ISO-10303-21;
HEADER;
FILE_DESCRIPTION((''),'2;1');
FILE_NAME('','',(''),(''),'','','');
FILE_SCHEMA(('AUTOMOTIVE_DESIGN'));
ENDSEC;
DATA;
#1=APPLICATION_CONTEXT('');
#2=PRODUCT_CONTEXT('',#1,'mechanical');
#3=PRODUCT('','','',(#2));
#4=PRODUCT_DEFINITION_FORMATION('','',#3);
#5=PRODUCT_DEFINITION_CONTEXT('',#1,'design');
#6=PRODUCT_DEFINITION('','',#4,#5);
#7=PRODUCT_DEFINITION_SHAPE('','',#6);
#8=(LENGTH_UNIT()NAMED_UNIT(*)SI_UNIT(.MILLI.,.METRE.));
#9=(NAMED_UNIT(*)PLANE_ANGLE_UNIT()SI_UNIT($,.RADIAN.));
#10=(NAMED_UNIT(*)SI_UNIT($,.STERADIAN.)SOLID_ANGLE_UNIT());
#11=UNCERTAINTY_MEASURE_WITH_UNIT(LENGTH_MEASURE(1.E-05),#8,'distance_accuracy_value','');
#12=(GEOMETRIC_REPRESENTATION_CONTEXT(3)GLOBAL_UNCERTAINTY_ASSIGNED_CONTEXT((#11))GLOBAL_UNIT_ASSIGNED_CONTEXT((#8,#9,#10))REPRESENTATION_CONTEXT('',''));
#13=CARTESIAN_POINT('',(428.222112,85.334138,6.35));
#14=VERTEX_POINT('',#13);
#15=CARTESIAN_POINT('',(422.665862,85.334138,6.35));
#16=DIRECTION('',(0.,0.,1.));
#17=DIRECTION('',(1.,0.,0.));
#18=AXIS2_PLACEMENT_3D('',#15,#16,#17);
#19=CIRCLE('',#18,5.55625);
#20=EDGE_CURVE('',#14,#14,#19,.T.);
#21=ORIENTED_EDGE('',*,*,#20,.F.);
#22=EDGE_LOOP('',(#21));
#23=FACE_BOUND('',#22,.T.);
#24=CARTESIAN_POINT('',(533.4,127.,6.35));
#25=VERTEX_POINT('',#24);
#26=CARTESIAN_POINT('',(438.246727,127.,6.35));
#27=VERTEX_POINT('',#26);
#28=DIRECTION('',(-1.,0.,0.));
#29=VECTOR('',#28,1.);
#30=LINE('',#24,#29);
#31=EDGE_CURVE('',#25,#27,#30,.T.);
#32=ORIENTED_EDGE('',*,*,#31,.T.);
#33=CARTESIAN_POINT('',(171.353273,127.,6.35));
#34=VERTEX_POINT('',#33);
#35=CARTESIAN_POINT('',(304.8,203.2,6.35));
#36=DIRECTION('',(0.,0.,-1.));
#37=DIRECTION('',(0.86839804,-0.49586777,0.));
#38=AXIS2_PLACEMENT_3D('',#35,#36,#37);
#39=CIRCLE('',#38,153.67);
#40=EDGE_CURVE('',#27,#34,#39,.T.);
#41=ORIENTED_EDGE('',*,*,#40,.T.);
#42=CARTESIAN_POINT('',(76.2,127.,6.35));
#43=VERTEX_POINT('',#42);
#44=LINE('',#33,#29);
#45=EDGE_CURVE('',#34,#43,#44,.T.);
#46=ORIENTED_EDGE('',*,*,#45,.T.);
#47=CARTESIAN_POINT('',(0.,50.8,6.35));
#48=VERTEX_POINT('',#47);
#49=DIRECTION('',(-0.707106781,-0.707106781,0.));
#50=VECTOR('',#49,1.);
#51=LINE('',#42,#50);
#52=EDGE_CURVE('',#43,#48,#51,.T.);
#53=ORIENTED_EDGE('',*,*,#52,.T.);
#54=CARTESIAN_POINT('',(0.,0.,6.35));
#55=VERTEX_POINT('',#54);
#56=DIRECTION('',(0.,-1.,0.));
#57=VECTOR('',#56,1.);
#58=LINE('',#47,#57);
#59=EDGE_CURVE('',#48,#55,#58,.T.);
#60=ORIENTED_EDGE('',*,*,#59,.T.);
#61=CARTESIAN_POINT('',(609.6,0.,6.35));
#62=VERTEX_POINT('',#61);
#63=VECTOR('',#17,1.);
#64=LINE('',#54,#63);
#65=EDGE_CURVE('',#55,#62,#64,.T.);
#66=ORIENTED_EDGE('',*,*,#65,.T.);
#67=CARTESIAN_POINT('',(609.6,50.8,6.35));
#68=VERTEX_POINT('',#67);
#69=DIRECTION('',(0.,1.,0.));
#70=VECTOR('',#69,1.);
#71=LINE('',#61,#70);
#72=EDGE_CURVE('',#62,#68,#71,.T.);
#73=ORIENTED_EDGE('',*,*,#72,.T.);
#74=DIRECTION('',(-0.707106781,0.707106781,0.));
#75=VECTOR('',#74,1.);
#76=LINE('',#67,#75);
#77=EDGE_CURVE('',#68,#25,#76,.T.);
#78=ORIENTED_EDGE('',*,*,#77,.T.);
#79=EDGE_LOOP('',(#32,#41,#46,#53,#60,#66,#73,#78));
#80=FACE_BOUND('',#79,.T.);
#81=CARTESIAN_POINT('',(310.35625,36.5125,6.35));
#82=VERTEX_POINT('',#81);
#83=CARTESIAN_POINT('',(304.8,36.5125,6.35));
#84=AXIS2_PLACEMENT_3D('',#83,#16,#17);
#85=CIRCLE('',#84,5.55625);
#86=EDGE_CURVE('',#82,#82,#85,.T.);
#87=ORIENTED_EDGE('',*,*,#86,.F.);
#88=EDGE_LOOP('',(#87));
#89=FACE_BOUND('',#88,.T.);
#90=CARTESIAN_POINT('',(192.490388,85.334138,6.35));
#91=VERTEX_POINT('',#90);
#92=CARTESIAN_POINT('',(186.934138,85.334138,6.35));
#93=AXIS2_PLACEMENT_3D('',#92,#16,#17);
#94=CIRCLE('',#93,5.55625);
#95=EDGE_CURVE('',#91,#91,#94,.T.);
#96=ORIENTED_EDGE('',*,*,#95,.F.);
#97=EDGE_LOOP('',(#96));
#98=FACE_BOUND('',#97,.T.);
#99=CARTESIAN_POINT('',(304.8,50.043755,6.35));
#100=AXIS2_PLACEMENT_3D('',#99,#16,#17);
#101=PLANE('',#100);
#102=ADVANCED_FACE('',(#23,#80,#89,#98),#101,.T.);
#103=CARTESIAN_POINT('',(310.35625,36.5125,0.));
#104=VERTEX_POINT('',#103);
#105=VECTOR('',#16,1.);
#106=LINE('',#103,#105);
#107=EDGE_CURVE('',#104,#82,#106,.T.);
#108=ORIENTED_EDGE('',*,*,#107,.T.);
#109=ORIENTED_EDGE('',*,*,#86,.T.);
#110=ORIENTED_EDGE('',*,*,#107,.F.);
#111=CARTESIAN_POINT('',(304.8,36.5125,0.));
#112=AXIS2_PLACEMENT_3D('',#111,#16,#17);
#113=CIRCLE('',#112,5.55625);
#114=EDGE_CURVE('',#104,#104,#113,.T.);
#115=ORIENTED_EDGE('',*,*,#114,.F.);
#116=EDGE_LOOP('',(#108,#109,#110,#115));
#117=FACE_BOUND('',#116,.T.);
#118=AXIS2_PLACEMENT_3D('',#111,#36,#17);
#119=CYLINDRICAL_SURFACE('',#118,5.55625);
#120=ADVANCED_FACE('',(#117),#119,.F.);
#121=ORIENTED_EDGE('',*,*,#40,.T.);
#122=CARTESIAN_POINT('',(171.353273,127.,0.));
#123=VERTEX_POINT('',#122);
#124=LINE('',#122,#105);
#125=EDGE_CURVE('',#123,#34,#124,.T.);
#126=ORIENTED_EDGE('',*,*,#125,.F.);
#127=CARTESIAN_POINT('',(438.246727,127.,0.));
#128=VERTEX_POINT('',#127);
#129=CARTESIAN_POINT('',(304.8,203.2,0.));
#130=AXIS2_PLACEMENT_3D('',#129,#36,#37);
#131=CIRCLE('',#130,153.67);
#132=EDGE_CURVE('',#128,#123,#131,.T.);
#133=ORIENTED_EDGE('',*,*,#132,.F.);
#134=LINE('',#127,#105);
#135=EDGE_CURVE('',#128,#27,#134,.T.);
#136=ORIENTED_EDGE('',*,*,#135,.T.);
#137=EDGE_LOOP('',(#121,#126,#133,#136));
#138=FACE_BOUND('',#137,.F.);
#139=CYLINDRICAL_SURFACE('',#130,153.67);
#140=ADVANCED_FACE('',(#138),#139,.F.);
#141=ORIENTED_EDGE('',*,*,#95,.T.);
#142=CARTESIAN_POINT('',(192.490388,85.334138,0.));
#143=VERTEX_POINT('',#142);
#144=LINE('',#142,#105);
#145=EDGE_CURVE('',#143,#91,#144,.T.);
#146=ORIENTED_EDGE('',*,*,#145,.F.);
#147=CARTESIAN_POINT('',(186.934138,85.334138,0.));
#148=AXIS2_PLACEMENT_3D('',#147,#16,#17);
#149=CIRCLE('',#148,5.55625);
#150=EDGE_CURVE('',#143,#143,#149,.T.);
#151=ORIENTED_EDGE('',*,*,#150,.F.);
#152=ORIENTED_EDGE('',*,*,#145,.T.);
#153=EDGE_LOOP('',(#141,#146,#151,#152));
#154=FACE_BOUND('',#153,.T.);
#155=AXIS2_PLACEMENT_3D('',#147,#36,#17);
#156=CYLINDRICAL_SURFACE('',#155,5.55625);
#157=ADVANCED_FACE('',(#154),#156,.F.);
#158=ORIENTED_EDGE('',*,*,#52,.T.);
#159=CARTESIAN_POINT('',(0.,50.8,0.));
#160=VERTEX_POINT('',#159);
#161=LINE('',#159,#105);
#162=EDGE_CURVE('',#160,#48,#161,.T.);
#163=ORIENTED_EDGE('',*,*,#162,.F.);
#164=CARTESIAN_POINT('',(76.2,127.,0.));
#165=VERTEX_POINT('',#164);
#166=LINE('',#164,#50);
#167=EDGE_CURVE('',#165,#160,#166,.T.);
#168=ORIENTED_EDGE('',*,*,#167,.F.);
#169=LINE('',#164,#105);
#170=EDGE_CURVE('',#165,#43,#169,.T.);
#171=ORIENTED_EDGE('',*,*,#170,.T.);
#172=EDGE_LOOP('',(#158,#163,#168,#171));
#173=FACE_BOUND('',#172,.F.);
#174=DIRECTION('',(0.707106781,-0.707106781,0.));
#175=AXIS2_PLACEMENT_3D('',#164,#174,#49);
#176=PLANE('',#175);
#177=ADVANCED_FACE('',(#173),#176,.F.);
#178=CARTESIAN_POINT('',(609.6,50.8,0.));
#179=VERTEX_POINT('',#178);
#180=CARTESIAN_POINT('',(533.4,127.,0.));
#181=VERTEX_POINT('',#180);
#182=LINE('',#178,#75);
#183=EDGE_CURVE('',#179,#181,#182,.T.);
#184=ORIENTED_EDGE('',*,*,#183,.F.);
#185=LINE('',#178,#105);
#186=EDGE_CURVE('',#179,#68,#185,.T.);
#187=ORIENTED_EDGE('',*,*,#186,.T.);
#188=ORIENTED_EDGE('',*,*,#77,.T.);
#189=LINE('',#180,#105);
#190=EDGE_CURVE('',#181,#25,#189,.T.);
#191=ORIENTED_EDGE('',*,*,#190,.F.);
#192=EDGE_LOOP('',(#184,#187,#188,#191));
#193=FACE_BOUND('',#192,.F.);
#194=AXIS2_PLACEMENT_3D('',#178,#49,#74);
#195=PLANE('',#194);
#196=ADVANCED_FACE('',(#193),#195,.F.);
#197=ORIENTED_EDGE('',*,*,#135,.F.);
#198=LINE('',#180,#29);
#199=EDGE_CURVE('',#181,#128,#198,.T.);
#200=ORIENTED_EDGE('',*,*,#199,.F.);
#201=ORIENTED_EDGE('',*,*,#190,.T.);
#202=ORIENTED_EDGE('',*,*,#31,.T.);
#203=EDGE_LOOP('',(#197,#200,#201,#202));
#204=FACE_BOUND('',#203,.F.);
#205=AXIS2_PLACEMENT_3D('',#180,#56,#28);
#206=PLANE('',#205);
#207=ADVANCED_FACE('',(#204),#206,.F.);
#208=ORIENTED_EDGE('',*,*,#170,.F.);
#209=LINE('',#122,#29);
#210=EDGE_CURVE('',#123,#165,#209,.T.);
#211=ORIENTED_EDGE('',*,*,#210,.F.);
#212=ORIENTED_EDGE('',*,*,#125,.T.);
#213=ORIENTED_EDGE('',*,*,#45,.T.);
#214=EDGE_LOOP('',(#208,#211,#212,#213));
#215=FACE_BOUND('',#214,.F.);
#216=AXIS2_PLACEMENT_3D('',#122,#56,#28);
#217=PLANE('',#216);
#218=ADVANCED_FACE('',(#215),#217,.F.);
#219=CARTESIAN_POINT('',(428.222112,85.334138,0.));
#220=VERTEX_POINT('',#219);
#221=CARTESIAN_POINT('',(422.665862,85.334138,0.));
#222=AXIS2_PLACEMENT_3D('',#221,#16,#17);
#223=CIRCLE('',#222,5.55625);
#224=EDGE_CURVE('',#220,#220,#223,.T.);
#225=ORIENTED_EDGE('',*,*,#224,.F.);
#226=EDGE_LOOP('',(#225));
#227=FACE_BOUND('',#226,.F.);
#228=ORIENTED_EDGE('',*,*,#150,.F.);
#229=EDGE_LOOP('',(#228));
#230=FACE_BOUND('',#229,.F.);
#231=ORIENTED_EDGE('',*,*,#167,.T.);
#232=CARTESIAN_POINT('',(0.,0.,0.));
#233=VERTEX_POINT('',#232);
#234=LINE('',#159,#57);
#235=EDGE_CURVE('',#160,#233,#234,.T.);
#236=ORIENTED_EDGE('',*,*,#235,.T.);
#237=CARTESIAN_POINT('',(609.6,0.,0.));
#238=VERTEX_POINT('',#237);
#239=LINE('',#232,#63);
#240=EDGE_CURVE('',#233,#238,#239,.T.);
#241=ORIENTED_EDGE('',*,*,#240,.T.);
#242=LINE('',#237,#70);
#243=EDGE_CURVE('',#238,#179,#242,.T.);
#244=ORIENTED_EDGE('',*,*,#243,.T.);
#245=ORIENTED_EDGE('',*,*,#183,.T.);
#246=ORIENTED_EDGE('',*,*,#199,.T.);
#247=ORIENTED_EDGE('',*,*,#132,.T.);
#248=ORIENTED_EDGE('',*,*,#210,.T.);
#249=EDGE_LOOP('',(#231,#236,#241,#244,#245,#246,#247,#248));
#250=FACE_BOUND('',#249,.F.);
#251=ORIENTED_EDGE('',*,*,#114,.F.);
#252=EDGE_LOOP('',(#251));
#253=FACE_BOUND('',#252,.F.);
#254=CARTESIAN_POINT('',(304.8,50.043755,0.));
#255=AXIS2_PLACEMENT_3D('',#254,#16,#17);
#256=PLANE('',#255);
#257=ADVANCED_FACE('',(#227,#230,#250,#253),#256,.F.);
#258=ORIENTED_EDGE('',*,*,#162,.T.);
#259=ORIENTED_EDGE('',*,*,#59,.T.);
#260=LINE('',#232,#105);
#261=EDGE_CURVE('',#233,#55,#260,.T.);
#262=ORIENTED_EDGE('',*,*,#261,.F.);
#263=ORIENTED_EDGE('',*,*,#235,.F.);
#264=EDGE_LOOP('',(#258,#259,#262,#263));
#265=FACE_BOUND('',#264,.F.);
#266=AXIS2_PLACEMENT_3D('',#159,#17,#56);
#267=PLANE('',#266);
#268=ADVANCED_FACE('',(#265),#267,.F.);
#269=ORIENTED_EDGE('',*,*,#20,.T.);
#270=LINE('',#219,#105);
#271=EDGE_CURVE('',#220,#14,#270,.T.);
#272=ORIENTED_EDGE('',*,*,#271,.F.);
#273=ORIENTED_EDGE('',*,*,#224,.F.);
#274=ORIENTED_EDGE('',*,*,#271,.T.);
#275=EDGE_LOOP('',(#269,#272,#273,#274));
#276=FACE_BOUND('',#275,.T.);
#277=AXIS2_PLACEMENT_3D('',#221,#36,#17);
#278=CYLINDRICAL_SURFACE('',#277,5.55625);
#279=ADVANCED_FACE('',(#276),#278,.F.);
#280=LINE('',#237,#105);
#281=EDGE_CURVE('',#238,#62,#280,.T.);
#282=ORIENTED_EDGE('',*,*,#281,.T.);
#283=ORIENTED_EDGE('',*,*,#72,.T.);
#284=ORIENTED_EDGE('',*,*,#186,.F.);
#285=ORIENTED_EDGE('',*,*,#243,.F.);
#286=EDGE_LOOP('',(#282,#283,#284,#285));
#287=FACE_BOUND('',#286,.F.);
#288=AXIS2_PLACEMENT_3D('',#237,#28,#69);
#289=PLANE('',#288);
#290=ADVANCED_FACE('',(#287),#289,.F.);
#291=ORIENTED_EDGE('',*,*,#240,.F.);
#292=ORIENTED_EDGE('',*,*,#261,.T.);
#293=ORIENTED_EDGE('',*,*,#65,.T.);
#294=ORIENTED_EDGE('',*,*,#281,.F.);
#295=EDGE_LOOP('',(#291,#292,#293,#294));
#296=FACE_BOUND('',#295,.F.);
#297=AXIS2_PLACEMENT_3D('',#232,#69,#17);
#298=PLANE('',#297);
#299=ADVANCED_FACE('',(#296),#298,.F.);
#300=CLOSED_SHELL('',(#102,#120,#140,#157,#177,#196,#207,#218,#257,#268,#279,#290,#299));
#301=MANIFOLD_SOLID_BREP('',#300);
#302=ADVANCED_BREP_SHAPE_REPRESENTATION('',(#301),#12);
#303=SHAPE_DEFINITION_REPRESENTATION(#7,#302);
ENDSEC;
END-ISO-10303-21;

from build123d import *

# Parameters (mm, degrees)
F0_R     = 5.55625
F1_DEPTH = 6.35


with BuildPart() as f1:
    # F0 (on Top) → F1 (new body)
    with BuildSketch(Plane.XY):
        with BuildLine():
            Line((0, 50.8), (0, 0))
            Line((0, 0), (609.6, 0))
            Line((609.6, 0), (609.6, 50.8))
            Line((609.6, 50.8), (533.4, 127))
            Line((533.4, 127), (438.246727, 127))
            ThreePointArc((438.246727, 127), (304.8, 49.53), (171.353273, 127))
            Line((171.353273, 127), (76.2, 127))
            Line((76.2, 127), (0, 50.8))
        make_face()
        with Locations((304.8, 36.5125)):
            Circle(F0_R, mode=Mode.SUBTRACT)
        with Locations((186.934138, 85.334138)):
            Circle(F0_R, mode=Mode.SUBTRACT)
        with Locations((422.665862, 85.334138)):
            Circle(F0_R, mode=Mode.SUBTRACT)
    extrude(amount=F1_DEPTH)


solid = f1.part
